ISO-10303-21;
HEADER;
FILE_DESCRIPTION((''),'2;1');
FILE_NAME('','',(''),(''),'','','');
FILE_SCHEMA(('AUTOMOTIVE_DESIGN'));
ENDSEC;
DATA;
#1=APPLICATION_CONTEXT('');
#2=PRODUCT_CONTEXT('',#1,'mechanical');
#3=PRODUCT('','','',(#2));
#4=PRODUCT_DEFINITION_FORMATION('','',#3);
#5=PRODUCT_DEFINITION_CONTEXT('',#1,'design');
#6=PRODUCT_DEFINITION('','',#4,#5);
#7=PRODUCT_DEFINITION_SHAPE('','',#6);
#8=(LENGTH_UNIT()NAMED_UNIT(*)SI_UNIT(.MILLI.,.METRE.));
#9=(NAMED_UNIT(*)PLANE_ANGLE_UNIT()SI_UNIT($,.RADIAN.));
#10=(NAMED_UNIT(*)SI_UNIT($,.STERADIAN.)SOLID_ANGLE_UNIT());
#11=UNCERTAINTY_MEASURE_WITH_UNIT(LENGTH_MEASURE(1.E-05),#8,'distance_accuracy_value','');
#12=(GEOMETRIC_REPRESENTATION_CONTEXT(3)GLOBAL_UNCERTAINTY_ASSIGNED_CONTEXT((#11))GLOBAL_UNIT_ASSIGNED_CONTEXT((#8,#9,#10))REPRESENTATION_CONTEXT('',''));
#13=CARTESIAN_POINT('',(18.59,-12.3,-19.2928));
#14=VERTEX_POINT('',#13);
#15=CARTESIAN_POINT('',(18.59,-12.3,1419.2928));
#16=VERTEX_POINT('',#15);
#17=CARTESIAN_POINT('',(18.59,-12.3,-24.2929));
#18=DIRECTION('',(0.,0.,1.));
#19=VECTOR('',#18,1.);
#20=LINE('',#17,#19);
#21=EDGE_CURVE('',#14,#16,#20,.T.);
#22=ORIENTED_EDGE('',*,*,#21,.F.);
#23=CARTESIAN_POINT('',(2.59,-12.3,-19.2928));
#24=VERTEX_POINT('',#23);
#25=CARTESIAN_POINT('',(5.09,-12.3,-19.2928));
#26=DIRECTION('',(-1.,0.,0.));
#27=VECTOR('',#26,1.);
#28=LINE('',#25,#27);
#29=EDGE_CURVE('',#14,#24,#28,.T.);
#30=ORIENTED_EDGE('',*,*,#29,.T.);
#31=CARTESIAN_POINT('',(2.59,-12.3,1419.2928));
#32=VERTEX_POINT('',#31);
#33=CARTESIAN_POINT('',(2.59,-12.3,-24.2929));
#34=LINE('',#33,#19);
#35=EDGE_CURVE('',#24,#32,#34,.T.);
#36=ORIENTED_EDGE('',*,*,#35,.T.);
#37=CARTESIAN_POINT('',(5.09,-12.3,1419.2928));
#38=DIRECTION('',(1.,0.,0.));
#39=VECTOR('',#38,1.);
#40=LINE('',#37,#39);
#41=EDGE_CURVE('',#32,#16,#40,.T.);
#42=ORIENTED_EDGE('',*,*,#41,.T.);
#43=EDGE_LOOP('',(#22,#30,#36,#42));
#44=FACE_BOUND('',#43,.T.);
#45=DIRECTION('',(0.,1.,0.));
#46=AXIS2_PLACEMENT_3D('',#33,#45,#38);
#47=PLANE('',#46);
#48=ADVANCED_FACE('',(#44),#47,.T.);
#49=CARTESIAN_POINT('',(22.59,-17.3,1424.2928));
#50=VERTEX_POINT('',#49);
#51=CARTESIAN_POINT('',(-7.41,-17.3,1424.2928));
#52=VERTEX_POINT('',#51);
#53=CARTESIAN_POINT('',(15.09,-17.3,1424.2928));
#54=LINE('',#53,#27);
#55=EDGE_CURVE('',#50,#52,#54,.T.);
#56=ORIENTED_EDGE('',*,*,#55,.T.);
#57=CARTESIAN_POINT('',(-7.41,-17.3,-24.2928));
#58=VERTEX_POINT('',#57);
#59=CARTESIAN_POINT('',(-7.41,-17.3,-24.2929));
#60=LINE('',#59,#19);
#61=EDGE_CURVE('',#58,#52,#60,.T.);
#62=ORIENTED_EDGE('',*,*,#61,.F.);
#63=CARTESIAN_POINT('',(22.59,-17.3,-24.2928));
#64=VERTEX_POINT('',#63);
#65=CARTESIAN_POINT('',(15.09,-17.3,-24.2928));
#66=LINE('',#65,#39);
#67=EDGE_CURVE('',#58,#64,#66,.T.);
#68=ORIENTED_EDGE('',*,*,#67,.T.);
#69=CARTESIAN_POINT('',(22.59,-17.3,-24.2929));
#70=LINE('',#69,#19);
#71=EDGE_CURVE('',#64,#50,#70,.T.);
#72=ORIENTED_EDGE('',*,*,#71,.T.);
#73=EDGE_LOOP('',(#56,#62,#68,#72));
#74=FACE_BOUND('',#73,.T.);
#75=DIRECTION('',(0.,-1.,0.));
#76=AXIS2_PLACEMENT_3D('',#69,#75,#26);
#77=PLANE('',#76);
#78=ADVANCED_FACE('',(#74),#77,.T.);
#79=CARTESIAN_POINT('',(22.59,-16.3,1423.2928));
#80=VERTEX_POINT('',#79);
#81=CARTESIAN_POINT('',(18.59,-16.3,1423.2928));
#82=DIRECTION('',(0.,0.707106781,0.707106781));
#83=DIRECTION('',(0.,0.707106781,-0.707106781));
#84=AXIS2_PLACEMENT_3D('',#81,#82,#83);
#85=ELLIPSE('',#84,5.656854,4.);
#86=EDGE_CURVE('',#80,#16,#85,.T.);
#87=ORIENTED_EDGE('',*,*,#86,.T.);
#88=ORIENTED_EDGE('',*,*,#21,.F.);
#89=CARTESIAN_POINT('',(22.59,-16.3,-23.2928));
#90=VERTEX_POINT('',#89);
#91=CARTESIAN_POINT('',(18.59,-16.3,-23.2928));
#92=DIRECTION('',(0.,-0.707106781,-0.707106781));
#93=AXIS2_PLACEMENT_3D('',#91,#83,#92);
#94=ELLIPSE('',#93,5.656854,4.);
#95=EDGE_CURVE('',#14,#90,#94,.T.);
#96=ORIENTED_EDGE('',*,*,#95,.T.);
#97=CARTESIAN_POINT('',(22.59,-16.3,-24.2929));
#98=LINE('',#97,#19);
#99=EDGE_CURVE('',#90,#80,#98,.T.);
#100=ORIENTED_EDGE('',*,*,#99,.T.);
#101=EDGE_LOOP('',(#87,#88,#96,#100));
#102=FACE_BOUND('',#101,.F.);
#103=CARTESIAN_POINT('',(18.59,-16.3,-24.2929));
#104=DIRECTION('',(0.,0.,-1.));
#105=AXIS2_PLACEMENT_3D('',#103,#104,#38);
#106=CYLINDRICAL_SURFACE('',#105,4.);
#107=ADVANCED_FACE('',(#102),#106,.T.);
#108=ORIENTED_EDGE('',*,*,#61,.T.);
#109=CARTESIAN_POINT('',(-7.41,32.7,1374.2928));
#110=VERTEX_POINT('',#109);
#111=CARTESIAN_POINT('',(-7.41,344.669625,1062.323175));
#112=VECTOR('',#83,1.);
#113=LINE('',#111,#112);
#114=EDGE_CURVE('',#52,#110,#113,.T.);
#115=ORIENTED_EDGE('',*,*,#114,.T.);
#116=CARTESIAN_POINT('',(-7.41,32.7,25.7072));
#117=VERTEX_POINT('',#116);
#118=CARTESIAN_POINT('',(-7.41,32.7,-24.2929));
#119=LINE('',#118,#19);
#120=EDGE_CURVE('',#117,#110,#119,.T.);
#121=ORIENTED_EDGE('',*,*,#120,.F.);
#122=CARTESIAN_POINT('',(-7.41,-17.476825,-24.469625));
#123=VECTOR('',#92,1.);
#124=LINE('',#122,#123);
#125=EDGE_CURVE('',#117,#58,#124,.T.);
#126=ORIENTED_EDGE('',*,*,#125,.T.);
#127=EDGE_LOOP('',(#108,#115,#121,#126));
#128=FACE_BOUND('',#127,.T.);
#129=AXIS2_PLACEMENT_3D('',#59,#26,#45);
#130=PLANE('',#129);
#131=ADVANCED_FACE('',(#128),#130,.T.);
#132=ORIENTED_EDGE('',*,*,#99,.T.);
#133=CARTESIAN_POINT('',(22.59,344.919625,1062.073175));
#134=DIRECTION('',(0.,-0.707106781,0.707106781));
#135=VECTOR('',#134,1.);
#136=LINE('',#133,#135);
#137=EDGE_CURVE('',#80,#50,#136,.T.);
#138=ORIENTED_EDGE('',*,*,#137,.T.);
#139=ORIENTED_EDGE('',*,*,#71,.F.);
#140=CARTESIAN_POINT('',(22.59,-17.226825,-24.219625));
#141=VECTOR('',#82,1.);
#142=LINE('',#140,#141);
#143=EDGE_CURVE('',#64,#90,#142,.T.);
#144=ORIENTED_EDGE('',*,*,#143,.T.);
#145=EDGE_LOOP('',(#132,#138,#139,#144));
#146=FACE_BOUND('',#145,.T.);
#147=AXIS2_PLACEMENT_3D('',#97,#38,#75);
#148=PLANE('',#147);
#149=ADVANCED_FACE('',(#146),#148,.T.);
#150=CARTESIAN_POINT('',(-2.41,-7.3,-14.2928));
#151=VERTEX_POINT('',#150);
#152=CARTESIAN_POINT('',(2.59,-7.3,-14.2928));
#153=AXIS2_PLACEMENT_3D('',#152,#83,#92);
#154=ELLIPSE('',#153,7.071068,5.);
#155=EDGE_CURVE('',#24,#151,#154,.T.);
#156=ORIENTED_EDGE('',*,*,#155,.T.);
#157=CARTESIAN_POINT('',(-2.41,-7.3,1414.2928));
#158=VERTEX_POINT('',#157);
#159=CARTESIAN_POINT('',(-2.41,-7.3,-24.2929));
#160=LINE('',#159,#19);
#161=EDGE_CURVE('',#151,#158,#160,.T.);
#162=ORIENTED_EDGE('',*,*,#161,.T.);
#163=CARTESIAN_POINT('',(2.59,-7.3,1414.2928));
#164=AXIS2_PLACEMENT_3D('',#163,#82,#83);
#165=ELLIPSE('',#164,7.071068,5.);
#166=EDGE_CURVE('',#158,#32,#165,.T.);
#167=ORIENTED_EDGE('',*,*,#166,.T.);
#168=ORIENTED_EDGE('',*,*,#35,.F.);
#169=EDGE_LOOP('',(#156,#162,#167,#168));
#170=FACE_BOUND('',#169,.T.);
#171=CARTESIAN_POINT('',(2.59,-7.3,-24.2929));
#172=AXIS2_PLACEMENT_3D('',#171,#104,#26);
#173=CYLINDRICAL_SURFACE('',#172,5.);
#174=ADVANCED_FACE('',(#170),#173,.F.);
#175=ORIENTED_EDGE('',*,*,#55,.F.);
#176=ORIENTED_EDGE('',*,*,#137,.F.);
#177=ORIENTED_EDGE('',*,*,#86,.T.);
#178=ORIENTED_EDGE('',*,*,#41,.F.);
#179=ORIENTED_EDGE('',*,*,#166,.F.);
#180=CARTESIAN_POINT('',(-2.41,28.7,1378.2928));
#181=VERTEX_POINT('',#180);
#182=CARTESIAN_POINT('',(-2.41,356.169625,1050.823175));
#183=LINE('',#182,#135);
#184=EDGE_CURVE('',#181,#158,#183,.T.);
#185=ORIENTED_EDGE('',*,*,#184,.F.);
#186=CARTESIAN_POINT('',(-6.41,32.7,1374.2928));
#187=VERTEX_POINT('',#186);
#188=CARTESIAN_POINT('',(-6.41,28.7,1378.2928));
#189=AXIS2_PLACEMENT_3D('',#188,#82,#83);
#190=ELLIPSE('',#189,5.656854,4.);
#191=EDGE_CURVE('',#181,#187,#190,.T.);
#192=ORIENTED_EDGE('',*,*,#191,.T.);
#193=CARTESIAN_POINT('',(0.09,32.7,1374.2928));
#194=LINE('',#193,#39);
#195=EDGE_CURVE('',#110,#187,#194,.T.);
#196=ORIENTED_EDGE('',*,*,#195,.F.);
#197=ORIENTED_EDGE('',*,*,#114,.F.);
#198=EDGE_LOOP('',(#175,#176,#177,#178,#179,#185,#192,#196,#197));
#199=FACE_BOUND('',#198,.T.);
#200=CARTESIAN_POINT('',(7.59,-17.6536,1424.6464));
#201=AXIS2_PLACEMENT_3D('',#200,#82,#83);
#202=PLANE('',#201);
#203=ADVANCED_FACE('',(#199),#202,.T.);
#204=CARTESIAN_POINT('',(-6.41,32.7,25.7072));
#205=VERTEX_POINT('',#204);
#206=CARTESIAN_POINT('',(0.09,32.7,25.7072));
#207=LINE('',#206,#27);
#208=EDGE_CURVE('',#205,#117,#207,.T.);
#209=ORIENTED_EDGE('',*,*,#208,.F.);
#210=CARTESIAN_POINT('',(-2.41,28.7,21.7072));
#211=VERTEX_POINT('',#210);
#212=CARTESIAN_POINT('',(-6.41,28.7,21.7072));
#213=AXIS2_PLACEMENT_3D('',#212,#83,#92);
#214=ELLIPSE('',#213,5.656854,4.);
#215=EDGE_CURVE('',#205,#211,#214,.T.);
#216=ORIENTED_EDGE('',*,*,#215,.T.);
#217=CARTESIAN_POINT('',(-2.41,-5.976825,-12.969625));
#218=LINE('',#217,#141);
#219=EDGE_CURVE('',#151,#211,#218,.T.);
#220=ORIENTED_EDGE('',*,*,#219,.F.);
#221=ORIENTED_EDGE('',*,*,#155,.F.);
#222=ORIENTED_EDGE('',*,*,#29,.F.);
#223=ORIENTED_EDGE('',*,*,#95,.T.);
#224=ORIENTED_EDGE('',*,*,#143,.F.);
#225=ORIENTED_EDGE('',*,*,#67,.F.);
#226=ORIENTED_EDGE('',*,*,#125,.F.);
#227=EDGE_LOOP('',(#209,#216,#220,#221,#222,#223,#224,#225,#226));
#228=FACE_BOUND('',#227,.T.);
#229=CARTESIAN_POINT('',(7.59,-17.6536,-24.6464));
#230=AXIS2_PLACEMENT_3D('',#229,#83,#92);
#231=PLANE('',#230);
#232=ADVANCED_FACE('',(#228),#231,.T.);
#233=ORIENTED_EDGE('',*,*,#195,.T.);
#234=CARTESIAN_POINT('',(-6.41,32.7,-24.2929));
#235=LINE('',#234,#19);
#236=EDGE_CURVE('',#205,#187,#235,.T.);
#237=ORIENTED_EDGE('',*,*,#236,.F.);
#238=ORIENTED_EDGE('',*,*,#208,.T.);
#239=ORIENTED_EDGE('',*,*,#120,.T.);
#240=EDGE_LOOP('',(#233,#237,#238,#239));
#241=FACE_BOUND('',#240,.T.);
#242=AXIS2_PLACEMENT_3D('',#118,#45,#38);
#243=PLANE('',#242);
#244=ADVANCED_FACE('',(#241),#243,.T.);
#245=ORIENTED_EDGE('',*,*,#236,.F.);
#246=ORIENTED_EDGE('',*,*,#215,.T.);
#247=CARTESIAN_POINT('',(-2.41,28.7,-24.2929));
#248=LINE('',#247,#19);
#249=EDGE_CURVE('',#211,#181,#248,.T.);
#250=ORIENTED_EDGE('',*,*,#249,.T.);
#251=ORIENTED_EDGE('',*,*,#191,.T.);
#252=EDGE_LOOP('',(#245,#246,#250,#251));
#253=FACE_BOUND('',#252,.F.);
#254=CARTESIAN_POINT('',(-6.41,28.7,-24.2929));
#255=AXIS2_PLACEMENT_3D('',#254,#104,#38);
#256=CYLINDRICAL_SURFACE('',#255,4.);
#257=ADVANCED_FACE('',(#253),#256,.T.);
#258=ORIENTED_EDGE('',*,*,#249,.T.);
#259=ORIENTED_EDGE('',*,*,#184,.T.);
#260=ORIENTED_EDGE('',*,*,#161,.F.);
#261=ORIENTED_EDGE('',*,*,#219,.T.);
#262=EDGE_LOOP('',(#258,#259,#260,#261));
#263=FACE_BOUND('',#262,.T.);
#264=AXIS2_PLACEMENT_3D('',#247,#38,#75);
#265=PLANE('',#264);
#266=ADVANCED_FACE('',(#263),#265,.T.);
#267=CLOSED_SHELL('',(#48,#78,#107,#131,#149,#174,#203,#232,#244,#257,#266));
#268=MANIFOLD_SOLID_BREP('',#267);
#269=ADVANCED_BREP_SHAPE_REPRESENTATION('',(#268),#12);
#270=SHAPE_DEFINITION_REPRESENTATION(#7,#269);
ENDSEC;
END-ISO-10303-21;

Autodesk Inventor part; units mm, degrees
ref_plane "Start Plane" through (0, 0, -24.2929) normal (0, 0, 1) x (1, 0, 0)
ref_plane "End Plane" through (0, 0, 1424.2929) normal (0, 0, 1) x (1, 0, 0)
sketch "Sketch" plane through (0, 0, 0) normal (0, 0, 1) x (1, 0, 0)
  line L0 (-2.41, 28.7) -> (-2.41, -7.3)
  line L1 (-7.41, 32.7) -> (-6.41, 32.7)
  line L2 (-7.41, -17.3) -> (-7.41, 32.7)
  line L3 (22.59, -17.3) -> (-7.41, -17.3)
  line L4 (22.59, -16.3) -> (22.59, -17.3)
  line L5 (2.59, -12.3) -> (18.59, -12.3)
  arc A0 (-2.41, -7.3) -> (2.59, -12.3) centre (2.59, -7.3) ccw
  arc A1 (-2.41, 28.7) -> (-6.41, 32.7) centre (-6.41, 28.7) ccw
  arc A2 (22.59, -16.3) -> (18.59, -12.3) centre (18.59, -16.3) ccw
  line L6 (0, 43.6941) -> (0, -27.4657) construction
  line L7 (-13.5757, 0) -> (29.5841, 0) construction
  point P0 (-2.41, 32.7)
  point P1 (-2.41, -12.3)
  point P2 (22.59, -12.3)
  dimension "d4" = 30
  dimension "d6" = 50
  dimension "d8" = 5
  dimension "d10" = 5
  dimension "d17" = 5
  dimension "d18" = 4
  dimension "d19" = 17.3
  dimension "d20" = 7.41
extrude "Body" add sketch "Sketch" along normal up to surface (1448.5858 mm away) from surface at -24.2929
sketch "Sketch3" plane through (0, 0, 0) normal (0, 0, 1) x (1, 0, 0)
  line L0 (0, 0) -> (10, 0)
ref_plane "Work Plane10" through (0, 0, 0) normal (0, -1, 0) x (1, 0, 0)
sketch "Sketch4" plane through (0, 0, 0) normal (0, -1, 0) x (1, 0, 0)
  line L0 (-2, -24.2929) -> (12, -24.2929)
  line L1 (-2, 1424.2929) -> (12, 1424.2929)
  dimension "d24" = 1448.5858
ref_plane "Work Plane11" through (7.59, -17.6536, 1424.6464) normal (0, 0.7071, 0.7071) x (1, 0, 0)
split "Split1" plane through (7.59, -17.6536, 1424.6464) removes the side toward (0, 0.7071, 0.7071)
ref_plane "Work Plane12" through (7.59, -17.6536, -24.6464) normal (0, 0.7071, -0.7071) x (1, 0, 0)
split "Split2" plane through (7.59, -17.6536, -24.6464) removes the side toward (0, 0.7071, -0.7071)
equation "\"d4\" = b"
equation "\"d6\" = ParH"
equation "\"d8\" = ParT"
equation "\"d10\" = ParT"
equation "\"d17\" = R"
equation "\"d18\" = R1"
equation "\"d19\" = ex"
equation "\"d20\" = ey"
equation "\"d11\" = G_L"
equation "\"b\" = 30"
equation "\"ParT\" = 5"
equation "\"R1\" = 4"
equation "\"G_L\" = d24"
equation "\"ParH\" = 50"
equation "\"R\" = 5"
equation "\"ey\" = 7.41"
equation "\"ex\" = 17.3"
equation "\"G_OFFSET_START\" = 24.29289"
equation "\"G_OFFSET_END\" = 24.29289"
equation "\"d21\" = -G_OFFSET_START"
equation "\"d22\" = G_OFFSET_END + B_L"
equation "\"B_L\" = 1400"
properties part number "ISO 657-2 - 50x 30x 5-1448.59" material "Steel, Mild"
